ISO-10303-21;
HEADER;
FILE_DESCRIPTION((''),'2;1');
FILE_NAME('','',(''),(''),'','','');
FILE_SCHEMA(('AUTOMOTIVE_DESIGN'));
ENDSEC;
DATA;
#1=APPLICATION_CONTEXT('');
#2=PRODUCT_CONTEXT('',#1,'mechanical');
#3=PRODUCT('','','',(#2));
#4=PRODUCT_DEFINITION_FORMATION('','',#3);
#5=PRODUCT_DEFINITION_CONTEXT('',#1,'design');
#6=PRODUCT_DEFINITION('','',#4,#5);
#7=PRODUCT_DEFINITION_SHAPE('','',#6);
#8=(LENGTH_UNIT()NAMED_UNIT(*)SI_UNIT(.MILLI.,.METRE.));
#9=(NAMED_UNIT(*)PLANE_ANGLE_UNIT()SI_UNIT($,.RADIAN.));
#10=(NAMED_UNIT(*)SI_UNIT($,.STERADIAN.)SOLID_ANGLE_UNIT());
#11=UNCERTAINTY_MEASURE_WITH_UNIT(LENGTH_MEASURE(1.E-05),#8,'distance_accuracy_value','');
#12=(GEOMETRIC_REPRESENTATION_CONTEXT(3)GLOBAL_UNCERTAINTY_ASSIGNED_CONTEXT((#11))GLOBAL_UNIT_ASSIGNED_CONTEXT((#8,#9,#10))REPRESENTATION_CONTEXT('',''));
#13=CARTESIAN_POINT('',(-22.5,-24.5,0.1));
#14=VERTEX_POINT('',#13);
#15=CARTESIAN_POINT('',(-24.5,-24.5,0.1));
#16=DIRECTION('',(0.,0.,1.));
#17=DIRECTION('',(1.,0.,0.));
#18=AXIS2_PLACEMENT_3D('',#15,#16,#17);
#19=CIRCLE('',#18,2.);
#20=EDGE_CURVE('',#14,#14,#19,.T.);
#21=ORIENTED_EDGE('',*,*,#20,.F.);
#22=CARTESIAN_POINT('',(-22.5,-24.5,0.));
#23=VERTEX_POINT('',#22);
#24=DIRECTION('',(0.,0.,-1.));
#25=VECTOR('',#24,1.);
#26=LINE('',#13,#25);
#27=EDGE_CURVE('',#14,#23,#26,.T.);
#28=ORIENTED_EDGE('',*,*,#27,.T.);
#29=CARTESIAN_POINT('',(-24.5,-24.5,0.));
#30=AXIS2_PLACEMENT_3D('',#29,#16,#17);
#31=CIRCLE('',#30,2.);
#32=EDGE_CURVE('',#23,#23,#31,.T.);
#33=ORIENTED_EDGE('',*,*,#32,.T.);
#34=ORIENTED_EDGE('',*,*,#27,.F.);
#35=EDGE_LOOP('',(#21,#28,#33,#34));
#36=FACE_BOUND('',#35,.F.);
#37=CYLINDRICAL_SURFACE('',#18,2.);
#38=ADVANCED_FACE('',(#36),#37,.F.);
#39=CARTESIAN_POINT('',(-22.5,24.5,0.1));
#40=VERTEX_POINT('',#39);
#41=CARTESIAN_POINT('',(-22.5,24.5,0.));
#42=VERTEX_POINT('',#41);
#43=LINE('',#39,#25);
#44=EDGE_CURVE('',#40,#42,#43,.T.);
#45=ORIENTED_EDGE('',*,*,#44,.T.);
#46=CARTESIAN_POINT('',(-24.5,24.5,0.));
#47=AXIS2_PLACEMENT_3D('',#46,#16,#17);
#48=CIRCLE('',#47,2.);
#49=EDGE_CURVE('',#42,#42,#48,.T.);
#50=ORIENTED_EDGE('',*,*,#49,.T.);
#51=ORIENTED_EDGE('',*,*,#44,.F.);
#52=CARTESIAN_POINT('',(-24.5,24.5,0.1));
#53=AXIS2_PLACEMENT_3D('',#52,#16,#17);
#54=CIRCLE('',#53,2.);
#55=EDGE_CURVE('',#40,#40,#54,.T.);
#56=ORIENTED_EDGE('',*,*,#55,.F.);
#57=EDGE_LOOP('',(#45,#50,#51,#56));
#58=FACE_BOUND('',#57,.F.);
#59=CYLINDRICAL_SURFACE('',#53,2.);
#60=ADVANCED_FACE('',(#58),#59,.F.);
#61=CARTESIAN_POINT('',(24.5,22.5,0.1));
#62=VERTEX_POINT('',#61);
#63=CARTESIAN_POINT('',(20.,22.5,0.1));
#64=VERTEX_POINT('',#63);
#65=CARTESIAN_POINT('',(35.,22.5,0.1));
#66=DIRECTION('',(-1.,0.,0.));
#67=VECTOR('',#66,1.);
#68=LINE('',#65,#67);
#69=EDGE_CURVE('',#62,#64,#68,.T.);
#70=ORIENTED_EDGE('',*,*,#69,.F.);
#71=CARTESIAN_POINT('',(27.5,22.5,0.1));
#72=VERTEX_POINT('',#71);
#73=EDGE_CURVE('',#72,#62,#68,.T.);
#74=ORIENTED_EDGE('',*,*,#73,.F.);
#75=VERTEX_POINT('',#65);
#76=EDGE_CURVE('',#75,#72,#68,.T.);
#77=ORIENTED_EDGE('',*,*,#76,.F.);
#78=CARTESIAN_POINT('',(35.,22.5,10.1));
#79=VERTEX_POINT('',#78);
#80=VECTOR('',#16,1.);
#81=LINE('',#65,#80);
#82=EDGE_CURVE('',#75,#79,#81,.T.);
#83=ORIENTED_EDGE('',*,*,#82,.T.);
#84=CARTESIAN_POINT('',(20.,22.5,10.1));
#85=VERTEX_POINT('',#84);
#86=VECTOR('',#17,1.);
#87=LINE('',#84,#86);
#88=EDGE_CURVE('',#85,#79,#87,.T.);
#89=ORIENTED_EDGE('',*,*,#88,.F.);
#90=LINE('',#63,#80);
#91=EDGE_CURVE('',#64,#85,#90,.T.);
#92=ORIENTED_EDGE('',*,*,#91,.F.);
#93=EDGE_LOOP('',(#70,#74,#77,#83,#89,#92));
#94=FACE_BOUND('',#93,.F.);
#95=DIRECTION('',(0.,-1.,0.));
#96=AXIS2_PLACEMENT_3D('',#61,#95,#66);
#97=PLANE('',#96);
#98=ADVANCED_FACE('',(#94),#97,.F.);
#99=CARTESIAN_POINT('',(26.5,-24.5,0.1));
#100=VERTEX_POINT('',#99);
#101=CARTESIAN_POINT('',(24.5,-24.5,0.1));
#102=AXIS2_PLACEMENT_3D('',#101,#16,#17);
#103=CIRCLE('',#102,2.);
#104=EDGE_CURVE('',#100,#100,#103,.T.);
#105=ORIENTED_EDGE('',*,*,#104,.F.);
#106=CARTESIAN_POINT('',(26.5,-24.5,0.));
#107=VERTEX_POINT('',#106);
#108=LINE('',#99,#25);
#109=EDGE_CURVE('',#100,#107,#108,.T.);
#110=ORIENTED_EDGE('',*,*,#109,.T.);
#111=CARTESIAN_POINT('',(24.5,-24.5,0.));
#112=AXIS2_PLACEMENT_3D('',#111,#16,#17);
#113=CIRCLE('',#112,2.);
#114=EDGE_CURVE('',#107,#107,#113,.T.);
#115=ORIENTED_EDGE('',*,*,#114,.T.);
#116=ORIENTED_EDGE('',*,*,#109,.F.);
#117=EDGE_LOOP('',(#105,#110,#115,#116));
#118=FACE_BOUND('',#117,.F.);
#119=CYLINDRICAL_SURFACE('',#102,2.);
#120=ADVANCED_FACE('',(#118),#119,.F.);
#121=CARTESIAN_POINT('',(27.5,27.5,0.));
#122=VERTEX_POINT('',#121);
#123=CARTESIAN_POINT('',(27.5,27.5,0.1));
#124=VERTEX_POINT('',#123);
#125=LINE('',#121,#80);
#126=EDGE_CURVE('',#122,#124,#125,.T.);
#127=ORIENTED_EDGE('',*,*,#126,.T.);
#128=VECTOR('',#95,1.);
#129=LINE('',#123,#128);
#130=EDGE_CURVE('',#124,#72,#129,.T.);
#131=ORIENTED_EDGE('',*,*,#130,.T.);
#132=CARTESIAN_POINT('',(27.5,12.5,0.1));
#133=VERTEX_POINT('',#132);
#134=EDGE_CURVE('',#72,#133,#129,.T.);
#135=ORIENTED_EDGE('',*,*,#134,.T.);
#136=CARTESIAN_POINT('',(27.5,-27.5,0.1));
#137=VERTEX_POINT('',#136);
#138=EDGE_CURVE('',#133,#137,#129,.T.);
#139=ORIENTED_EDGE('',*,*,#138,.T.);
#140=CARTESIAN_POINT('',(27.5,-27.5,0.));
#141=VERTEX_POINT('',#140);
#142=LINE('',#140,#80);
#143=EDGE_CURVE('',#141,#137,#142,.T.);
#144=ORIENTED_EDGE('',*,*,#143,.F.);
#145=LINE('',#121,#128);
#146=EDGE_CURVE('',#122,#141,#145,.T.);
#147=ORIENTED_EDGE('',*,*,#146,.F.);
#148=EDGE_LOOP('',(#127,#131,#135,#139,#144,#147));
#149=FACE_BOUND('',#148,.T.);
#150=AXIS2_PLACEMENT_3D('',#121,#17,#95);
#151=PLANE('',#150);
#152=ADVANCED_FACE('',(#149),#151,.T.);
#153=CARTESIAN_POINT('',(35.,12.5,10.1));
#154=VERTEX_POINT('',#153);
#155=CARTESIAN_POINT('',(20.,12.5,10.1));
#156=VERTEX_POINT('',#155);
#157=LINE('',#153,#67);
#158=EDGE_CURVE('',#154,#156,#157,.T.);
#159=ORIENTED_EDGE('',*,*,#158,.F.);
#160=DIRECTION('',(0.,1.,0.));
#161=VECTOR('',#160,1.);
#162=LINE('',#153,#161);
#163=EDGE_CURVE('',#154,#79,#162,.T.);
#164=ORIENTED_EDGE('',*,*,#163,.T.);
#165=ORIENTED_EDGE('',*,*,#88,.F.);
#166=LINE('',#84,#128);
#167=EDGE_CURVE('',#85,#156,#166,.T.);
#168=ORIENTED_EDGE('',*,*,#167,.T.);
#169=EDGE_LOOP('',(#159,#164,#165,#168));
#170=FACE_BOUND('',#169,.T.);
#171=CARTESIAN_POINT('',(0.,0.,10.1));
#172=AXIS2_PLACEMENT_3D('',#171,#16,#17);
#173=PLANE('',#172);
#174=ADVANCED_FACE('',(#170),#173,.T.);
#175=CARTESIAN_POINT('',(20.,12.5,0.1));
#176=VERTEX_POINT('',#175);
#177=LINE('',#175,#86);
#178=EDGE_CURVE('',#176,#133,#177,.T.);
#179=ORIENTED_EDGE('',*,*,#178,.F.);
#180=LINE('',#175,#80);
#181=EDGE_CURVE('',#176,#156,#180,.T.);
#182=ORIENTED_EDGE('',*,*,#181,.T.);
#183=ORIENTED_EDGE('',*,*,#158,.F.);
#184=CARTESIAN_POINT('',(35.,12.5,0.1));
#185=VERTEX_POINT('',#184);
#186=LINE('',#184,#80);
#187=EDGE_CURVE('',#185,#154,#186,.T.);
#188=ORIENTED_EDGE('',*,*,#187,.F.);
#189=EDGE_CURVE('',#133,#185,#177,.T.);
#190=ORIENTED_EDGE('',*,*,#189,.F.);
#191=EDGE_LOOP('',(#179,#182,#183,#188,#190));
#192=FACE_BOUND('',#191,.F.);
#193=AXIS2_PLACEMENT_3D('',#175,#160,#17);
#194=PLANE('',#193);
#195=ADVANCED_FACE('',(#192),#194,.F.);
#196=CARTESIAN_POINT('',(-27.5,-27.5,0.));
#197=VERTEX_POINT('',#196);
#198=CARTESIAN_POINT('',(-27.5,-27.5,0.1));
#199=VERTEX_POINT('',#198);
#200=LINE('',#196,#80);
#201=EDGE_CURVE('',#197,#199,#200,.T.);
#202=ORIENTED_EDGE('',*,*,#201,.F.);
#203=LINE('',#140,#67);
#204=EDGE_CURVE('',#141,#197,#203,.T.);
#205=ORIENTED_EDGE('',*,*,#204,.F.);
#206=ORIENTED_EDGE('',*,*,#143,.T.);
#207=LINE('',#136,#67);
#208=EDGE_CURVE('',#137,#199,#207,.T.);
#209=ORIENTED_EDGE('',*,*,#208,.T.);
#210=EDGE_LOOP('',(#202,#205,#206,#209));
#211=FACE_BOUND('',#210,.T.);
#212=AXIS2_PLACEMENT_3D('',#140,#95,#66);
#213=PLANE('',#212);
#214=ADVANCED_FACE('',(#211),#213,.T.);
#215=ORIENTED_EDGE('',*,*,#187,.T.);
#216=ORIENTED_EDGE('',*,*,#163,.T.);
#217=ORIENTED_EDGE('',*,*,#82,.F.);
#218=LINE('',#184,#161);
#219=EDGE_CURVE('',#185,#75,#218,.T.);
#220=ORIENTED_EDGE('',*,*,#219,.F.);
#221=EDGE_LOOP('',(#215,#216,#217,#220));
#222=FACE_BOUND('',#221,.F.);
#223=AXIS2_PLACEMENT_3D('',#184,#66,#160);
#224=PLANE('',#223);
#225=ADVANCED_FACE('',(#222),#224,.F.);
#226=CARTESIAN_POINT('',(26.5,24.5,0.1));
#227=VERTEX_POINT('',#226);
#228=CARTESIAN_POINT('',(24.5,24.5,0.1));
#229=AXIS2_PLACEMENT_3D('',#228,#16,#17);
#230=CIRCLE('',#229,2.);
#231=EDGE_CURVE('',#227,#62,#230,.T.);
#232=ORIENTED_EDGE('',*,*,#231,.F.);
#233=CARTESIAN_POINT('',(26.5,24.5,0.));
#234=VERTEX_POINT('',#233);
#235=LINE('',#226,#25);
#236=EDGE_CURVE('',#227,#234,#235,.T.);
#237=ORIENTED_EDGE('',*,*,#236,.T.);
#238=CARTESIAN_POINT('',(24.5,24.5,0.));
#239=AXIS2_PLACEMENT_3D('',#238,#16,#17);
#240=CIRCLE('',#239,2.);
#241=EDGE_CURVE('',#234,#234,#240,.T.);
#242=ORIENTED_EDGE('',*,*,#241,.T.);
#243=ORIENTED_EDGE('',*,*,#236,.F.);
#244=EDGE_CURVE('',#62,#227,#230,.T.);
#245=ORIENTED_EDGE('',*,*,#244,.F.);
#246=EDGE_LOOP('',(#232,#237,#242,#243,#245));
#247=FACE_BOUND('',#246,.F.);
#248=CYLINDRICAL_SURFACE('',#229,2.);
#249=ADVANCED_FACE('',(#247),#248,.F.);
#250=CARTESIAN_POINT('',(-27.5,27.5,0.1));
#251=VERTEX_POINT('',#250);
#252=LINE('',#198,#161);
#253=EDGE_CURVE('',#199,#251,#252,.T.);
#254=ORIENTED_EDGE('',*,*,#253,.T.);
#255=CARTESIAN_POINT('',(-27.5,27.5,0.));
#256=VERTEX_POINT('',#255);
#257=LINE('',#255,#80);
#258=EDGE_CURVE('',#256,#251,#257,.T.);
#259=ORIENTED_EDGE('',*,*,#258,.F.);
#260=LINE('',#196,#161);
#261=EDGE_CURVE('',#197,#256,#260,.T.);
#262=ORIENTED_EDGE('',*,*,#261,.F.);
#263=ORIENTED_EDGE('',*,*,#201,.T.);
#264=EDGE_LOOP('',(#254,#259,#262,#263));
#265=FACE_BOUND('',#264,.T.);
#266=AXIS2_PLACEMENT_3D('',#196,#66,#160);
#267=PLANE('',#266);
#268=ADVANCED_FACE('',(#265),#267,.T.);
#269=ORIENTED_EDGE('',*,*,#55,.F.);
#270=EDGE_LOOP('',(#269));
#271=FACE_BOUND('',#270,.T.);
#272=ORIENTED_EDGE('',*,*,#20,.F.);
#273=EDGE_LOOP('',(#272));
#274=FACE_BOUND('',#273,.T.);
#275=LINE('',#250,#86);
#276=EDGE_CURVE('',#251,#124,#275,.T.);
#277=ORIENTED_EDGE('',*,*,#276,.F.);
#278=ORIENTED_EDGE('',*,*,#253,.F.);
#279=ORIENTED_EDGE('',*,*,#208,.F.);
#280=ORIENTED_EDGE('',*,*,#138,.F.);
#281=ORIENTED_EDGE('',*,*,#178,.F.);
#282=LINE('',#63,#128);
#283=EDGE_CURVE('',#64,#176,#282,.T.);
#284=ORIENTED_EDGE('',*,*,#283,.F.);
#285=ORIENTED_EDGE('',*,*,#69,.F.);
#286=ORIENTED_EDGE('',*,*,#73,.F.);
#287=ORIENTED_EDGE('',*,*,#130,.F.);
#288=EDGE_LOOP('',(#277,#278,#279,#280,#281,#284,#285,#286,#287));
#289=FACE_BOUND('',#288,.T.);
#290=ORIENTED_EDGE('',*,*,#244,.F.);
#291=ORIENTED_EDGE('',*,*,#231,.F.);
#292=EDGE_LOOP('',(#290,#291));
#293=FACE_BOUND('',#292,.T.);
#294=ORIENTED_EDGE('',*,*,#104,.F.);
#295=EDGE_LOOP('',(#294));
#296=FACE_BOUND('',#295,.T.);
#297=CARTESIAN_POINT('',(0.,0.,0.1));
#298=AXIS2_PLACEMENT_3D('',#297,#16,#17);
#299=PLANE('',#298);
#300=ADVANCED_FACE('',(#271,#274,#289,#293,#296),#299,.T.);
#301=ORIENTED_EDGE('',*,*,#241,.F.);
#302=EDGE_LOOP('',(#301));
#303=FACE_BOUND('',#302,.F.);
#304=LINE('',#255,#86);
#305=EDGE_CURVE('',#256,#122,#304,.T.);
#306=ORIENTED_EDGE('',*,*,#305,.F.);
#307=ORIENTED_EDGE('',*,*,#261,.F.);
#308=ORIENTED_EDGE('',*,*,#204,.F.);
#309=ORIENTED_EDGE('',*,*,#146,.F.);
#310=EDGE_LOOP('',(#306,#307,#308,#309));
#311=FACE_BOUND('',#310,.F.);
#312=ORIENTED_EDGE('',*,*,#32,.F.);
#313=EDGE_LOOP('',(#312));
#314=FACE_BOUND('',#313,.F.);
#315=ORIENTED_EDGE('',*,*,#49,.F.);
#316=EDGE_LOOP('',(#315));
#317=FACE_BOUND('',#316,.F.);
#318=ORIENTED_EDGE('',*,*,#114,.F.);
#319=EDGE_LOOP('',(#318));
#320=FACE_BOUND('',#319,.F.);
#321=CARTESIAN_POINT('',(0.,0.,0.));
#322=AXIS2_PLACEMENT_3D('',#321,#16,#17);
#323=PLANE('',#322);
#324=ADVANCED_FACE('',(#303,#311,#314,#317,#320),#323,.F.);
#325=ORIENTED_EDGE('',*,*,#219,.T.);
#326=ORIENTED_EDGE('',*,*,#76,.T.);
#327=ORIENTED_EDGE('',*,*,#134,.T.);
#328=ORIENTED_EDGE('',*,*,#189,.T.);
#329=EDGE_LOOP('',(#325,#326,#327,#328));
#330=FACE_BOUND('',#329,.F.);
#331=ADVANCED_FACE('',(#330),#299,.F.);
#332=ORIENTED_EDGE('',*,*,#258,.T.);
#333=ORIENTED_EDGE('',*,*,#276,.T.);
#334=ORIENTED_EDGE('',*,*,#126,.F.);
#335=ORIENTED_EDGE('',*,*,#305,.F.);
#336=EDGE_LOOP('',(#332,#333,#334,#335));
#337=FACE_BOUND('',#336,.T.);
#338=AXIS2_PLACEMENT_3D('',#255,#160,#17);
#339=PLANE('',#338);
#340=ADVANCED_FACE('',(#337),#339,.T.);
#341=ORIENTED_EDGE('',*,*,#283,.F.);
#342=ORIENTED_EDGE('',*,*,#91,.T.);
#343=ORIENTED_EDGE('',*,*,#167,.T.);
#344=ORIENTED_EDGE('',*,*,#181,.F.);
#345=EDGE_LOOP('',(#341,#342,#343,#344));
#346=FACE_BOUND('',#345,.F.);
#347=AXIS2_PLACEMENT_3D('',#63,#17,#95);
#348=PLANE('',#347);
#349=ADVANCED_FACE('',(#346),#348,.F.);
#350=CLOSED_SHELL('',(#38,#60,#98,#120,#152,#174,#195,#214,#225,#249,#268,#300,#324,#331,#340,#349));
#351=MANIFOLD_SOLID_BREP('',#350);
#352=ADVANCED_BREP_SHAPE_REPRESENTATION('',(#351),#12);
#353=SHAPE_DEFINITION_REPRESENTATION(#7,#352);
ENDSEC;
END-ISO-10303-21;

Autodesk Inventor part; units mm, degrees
ref_plane "YZ Plane" through (0, 0, 0) normal (1, 0, 0) x (0, 1, 0)
ref_plane "XZ Plane" through (0, 0, 0) normal (0, 1, 0) x (-1, 0, 0)
ref_plane "XY Plane" through (0, 0, 0) normal (0, 0, 1) x (1, 0, 0)
sketch "스케치2" plane through (0, 0, 0) normal (0, 0, 1) x (1, 0, 0)
  line L0 (-27.5, 27.5) -> (27.5, 27.5)
  line L1 (27.5, 27.5) -> (27.5, -27.5)
  line L2 (27.5, -27.5) -> (-27.5, -27.5)
  line L3 (-27.5, -27.5) -> (-27.5, 27.5)
  line L4 (-27.5, 27.5) -> (27.5, -27.5) construction
  line L5 (27.5, 27.5) -> (-27.5, -27.5) construction
  point P0 (0, 0)
  dimension "d0" = 55
  dimension "d1" = 55
extrude "돌출1" add sketch "스케치2" along normal blind 0.1
sketch "스케치3" plane through (0, 0, 0.1) normal (0, 0, 1) x (1, 0, 0)
  line L0 (27.5, -27.5) -> (27.5, 27.5) projected
  line L1 (27.5, 27.5) -> (-27.5, 27.5) projected
  circle A0 centre (24.5, 24.5) radius 3
  circle A1 centre (-24.5, 24.5) radius 3
  circle A2 centre (-24.5, -24.5) radius 3
  circle A3 centre (24.5, -24.5) radius 3
  line L2 (-27.5, 27.5) -> (-27.5, -27.5) projected
  line L3 (-27.5, -27.5) -> (27.5, -27.5) projected
  circle A4 centre (24.5, 24.5) radius 2
  circle A5 centre (-24.5, 24.5) radius 2
  circle A6 centre (-24.5, -24.5) radius 2
  circle A7 centre (24.5, -24.5) radius 2
  point P0 (0, 0)
  dimension "d5" = 6
  dimension "d6" = 6
  dimension "d7" = 6
  dimension "d8" = 6
  dimension "d9" = 4
  dimension "d10" = 4
  dimension "d11" = 4
  dimension "d12" = 4
extrude "돌출2" cut sketch "스케치3" against normal up to surface (0.1 mm away) contours A4 | A5 | A6 | A7
sketch "스케치4" plane through (0, 0, 0.1) normal (0, 0, 1) x (1, 0, 0)
  line L0 (20, 12.5) -> (35, 12.5)
  line L1 (35, 12.5) -> (35, 22.5)
  line L2 (35, 22.5) -> (20, 22.5)
  line L3 (20, 22.5) -> (20, 12.5)
  line L4 (20, 12.5) -> (35, 22.5) construction
  line L5 (35, 12.5) -> (20, 22.5) construction
  line L6 (27.5, -27.5) -> (27.5, 27.5) projected
  circle A0 centre (24.5, 24.5) radius 2 projected
  point P0 (0, 0)
  point P1 (27.5, 17.5)
  dimension "d15" = 15
  dimension "d16" = 10
extrude "돌출3" add sketch "스케치4" along normal blind 10 contours L3 L2 L6 L0 | L6 L2 L1 L0
properties part number "모터드라이버"
